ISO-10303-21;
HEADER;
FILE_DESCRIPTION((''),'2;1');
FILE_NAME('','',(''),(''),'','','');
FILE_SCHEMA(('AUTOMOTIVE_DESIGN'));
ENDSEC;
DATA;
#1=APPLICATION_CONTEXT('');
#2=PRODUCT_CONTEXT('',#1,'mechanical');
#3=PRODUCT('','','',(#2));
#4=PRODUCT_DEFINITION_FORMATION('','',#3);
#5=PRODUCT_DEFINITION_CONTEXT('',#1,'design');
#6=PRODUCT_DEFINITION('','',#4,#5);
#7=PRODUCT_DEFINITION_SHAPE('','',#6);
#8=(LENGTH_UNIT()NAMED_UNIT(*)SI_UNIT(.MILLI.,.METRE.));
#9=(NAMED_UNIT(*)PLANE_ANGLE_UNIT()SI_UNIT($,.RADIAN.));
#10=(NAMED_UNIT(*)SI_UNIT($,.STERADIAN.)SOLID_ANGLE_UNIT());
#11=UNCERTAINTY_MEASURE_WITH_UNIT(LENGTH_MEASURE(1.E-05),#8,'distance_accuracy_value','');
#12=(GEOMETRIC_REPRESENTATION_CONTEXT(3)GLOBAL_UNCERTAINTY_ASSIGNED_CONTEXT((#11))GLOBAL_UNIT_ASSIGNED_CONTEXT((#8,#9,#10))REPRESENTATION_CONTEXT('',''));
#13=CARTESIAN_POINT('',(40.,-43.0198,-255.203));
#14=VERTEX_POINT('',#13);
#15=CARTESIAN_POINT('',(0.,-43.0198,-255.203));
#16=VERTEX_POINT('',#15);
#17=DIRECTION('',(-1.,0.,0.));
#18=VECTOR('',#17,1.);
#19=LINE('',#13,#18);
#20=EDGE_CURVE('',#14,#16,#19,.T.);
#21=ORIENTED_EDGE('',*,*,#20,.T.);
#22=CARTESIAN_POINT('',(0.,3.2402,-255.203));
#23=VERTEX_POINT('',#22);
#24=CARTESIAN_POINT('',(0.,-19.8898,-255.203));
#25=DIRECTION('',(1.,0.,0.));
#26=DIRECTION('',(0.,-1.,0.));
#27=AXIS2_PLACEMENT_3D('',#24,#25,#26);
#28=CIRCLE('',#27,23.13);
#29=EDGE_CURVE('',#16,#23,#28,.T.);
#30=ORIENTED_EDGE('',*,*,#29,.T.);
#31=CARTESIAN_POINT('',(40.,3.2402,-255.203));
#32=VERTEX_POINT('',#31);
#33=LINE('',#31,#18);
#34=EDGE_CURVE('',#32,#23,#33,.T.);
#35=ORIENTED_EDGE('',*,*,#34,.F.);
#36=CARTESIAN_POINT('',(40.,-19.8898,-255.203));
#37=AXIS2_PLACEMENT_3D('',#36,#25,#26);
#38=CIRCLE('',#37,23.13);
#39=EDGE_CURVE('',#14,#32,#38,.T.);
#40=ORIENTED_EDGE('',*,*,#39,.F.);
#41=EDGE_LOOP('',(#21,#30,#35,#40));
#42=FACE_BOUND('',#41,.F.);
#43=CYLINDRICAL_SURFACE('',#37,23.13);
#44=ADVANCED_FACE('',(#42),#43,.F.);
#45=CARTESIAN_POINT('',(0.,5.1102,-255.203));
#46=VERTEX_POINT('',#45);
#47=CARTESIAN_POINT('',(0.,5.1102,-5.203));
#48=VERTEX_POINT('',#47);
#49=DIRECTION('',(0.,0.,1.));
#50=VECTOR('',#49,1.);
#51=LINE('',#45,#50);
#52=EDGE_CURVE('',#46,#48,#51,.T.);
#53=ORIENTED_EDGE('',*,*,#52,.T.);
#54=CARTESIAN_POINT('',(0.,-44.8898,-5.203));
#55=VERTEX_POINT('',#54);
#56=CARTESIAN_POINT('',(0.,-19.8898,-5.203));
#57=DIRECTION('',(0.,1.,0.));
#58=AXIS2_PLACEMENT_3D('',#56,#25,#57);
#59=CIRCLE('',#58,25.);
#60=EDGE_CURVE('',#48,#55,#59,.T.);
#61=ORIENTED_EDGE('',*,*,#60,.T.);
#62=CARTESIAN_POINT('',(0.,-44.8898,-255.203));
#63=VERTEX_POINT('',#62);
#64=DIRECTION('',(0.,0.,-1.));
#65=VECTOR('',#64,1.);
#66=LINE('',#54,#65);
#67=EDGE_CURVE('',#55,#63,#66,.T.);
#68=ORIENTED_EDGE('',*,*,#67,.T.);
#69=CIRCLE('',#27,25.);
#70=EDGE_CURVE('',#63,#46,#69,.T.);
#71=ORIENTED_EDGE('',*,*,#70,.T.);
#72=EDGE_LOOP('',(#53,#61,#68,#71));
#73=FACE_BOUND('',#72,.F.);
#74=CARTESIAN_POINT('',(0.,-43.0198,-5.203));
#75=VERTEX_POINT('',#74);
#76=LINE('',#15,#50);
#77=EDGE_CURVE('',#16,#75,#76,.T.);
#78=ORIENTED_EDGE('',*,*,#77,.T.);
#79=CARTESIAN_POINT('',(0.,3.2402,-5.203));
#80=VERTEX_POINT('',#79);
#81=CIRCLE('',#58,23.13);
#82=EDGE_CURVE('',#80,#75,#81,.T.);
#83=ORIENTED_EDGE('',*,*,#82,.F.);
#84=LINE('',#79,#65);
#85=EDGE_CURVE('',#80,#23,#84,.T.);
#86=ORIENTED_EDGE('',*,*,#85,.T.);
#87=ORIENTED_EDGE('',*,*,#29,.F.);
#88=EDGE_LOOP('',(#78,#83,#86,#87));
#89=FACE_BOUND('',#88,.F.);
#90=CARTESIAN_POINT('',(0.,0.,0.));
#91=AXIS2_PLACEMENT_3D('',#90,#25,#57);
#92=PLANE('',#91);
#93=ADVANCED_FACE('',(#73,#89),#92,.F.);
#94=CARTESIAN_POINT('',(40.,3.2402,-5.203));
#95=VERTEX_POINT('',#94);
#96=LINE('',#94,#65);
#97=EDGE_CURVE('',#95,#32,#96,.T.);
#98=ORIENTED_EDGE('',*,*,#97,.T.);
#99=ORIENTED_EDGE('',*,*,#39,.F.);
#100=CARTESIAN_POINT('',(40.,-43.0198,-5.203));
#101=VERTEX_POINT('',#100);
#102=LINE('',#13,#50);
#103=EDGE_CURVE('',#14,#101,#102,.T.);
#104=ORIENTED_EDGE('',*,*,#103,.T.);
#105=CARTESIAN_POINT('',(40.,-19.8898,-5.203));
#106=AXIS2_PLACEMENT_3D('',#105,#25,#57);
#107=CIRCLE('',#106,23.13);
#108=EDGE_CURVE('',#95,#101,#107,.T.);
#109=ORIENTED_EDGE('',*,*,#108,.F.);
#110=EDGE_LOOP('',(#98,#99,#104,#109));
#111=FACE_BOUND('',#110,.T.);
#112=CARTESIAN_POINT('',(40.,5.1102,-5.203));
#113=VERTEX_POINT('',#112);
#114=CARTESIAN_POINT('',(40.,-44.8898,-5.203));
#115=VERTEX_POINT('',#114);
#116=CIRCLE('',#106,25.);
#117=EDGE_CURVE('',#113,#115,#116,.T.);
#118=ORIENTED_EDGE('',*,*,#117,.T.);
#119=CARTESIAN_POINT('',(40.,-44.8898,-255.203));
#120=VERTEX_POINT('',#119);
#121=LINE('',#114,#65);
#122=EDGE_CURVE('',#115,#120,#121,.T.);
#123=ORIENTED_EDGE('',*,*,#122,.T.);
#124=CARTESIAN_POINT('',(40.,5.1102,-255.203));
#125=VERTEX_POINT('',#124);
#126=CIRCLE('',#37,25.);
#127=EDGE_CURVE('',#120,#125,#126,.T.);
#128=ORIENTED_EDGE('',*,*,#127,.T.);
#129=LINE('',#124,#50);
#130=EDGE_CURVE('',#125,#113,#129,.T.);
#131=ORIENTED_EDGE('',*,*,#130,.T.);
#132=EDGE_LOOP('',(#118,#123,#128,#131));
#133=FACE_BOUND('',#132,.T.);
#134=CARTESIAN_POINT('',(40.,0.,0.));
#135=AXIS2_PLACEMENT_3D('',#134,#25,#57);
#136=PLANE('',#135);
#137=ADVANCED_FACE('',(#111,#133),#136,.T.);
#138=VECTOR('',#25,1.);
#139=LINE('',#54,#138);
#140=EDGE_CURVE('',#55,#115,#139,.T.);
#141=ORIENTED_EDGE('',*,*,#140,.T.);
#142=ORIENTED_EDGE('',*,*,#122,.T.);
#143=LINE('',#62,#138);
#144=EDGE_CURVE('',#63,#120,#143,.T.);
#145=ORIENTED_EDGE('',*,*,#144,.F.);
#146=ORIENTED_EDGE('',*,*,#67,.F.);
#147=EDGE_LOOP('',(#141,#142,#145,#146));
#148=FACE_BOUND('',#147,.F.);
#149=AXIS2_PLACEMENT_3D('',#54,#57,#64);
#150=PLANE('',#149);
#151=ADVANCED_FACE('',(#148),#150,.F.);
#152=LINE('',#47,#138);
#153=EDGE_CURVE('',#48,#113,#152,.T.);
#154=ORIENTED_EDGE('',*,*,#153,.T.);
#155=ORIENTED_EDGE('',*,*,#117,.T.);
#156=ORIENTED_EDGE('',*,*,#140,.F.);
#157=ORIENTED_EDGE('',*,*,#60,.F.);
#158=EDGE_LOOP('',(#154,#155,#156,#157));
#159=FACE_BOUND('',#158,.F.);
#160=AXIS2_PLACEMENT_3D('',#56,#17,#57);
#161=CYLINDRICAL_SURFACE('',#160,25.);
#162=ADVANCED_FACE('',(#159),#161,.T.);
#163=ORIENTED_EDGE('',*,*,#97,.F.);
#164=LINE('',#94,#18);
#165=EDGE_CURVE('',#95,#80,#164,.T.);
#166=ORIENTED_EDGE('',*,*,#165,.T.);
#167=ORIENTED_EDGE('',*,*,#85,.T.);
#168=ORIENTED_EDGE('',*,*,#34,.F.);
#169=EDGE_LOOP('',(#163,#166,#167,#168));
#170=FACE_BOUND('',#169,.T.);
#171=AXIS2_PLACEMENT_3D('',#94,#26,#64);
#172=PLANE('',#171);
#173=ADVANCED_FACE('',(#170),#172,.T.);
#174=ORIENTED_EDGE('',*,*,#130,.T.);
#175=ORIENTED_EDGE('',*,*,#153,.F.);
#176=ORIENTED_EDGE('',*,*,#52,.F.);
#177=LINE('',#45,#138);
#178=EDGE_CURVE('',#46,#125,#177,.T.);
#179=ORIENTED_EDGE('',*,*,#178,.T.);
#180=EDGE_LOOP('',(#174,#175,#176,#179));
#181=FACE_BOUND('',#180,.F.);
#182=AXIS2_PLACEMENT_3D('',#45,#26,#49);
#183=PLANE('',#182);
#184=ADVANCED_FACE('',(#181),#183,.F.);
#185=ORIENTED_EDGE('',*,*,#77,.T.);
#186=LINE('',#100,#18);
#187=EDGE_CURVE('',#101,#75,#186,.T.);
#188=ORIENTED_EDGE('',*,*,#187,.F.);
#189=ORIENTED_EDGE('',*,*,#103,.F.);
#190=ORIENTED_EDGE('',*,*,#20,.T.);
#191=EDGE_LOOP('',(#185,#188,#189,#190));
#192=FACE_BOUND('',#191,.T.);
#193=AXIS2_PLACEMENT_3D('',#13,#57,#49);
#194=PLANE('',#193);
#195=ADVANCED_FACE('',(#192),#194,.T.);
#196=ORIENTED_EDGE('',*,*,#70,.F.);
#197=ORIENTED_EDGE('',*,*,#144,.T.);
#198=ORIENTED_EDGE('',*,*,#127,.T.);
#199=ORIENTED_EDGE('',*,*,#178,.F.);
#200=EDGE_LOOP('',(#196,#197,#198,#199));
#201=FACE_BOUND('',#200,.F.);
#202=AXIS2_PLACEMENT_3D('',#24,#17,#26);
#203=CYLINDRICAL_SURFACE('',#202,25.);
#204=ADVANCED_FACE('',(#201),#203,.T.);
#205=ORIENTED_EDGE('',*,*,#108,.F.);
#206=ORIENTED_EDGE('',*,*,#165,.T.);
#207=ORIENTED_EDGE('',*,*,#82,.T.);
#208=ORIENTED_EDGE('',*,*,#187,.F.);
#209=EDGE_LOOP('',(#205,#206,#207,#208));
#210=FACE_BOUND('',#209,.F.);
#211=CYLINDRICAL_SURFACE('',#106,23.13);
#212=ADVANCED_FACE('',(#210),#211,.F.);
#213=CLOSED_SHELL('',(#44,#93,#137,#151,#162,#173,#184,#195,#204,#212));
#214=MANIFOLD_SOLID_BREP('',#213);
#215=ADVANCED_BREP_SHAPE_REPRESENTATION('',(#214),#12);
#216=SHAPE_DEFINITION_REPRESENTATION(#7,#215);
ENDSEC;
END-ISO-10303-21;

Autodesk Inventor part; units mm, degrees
ref_plane "YZ Plane" through (0, 0, 0) normal (1, 0, 0) x (0, 1, 0)
ref_plane "XZ Plane" through (0, 0, 0) normal (0, 1, 0) x (-1, 0, 0)
ref_plane "XY Plane" through (0, 0, 0) normal (0, 0, 1) x (1, 0, 0)
sketch "スケッチ1" plane through (0, 0, 0) normal (1, 0, 0) x (0, 1, 0)
  line L0 (-44.8898, -5.203) -> (-44.8898, -255.203)
  line L1 (5.1102, -255.203) -> (5.1102, -5.203)
  arc A0 (5.1102, -5.203) -> (-44.8898, -5.203) centre (-19.8898, -5.203) ccw
  arc A1 (-44.8898, -255.203) -> (5.1102, -255.203) centre (-19.8898, -255.203) ccw
  point P0 (0, 0)
  dimension "d2" = 50
  dimension "d3" = 50
  dimension "d4" = 250
  dimension "d5" = 250
  dimension "d6" = 50
  dimension "d7" = 50
extrude "押し出し1" add sketch "スケッチ1" along normal blind 40
sketch "スケッチ2" plane through (40, 0, 0) normal (1, 0, 0) x (0, 0, -1)
  line L0 (5.203, 3.2402) -> (255.203, 3.2402)
  line L1 (255.203, -43.0198) -> (5.203, -43.0198)
  line L2 (5.203, -44.8898) -> (255.203, -44.8898) projected
  arc A0 (5.203, 5.1102) -> (5.203, -44.8898) centre (5.203, -19.8898) ccw projected
  arc A1 (5.203, 3.2402) -> (5.203, -43.0198) centre (5.203, -19.8898) ccw
  arc A2 (255.203, -43.0198) -> (255.203, 3.2402) centre (255.203, -19.8898) ccw
  line L3 (255.203, 3.2402) -> (255.203, 3.2402)
  line L4 (255.203, -43.0198) -> (255.203, -43.0198)
  point P0 (0, 0)
  dimension "d12" = 1.87
  dimension "d14" = 46.26
  dimension "d15" = 46.26
  dimension "d16" = 250
  dimension "d17" = 46.26
  dimension "d18" = 250
extrude "押し出し2" cut sketch "スケッチ2" against normal blind 40
equation "\"BendRadius\" = Thickness"
equation "\"BendReliefWidth\" = Thickness"
equation "\"BendReliefDepth\" = 0.5 * Thickness"
equation "\"CornerReliefSize\" = 4 * Thickness"
equation "\"MinimumRemnant\" = 2 * Thickness"
equation "\"TransitionRadius\" = BendRadius"
equation "\"JacobiRadiusSize\" = BendRadius"
equation "\"GapSize\" = Thickness"
equation "\"Thickness\" = 0.5"
properties part number "nhk6"
